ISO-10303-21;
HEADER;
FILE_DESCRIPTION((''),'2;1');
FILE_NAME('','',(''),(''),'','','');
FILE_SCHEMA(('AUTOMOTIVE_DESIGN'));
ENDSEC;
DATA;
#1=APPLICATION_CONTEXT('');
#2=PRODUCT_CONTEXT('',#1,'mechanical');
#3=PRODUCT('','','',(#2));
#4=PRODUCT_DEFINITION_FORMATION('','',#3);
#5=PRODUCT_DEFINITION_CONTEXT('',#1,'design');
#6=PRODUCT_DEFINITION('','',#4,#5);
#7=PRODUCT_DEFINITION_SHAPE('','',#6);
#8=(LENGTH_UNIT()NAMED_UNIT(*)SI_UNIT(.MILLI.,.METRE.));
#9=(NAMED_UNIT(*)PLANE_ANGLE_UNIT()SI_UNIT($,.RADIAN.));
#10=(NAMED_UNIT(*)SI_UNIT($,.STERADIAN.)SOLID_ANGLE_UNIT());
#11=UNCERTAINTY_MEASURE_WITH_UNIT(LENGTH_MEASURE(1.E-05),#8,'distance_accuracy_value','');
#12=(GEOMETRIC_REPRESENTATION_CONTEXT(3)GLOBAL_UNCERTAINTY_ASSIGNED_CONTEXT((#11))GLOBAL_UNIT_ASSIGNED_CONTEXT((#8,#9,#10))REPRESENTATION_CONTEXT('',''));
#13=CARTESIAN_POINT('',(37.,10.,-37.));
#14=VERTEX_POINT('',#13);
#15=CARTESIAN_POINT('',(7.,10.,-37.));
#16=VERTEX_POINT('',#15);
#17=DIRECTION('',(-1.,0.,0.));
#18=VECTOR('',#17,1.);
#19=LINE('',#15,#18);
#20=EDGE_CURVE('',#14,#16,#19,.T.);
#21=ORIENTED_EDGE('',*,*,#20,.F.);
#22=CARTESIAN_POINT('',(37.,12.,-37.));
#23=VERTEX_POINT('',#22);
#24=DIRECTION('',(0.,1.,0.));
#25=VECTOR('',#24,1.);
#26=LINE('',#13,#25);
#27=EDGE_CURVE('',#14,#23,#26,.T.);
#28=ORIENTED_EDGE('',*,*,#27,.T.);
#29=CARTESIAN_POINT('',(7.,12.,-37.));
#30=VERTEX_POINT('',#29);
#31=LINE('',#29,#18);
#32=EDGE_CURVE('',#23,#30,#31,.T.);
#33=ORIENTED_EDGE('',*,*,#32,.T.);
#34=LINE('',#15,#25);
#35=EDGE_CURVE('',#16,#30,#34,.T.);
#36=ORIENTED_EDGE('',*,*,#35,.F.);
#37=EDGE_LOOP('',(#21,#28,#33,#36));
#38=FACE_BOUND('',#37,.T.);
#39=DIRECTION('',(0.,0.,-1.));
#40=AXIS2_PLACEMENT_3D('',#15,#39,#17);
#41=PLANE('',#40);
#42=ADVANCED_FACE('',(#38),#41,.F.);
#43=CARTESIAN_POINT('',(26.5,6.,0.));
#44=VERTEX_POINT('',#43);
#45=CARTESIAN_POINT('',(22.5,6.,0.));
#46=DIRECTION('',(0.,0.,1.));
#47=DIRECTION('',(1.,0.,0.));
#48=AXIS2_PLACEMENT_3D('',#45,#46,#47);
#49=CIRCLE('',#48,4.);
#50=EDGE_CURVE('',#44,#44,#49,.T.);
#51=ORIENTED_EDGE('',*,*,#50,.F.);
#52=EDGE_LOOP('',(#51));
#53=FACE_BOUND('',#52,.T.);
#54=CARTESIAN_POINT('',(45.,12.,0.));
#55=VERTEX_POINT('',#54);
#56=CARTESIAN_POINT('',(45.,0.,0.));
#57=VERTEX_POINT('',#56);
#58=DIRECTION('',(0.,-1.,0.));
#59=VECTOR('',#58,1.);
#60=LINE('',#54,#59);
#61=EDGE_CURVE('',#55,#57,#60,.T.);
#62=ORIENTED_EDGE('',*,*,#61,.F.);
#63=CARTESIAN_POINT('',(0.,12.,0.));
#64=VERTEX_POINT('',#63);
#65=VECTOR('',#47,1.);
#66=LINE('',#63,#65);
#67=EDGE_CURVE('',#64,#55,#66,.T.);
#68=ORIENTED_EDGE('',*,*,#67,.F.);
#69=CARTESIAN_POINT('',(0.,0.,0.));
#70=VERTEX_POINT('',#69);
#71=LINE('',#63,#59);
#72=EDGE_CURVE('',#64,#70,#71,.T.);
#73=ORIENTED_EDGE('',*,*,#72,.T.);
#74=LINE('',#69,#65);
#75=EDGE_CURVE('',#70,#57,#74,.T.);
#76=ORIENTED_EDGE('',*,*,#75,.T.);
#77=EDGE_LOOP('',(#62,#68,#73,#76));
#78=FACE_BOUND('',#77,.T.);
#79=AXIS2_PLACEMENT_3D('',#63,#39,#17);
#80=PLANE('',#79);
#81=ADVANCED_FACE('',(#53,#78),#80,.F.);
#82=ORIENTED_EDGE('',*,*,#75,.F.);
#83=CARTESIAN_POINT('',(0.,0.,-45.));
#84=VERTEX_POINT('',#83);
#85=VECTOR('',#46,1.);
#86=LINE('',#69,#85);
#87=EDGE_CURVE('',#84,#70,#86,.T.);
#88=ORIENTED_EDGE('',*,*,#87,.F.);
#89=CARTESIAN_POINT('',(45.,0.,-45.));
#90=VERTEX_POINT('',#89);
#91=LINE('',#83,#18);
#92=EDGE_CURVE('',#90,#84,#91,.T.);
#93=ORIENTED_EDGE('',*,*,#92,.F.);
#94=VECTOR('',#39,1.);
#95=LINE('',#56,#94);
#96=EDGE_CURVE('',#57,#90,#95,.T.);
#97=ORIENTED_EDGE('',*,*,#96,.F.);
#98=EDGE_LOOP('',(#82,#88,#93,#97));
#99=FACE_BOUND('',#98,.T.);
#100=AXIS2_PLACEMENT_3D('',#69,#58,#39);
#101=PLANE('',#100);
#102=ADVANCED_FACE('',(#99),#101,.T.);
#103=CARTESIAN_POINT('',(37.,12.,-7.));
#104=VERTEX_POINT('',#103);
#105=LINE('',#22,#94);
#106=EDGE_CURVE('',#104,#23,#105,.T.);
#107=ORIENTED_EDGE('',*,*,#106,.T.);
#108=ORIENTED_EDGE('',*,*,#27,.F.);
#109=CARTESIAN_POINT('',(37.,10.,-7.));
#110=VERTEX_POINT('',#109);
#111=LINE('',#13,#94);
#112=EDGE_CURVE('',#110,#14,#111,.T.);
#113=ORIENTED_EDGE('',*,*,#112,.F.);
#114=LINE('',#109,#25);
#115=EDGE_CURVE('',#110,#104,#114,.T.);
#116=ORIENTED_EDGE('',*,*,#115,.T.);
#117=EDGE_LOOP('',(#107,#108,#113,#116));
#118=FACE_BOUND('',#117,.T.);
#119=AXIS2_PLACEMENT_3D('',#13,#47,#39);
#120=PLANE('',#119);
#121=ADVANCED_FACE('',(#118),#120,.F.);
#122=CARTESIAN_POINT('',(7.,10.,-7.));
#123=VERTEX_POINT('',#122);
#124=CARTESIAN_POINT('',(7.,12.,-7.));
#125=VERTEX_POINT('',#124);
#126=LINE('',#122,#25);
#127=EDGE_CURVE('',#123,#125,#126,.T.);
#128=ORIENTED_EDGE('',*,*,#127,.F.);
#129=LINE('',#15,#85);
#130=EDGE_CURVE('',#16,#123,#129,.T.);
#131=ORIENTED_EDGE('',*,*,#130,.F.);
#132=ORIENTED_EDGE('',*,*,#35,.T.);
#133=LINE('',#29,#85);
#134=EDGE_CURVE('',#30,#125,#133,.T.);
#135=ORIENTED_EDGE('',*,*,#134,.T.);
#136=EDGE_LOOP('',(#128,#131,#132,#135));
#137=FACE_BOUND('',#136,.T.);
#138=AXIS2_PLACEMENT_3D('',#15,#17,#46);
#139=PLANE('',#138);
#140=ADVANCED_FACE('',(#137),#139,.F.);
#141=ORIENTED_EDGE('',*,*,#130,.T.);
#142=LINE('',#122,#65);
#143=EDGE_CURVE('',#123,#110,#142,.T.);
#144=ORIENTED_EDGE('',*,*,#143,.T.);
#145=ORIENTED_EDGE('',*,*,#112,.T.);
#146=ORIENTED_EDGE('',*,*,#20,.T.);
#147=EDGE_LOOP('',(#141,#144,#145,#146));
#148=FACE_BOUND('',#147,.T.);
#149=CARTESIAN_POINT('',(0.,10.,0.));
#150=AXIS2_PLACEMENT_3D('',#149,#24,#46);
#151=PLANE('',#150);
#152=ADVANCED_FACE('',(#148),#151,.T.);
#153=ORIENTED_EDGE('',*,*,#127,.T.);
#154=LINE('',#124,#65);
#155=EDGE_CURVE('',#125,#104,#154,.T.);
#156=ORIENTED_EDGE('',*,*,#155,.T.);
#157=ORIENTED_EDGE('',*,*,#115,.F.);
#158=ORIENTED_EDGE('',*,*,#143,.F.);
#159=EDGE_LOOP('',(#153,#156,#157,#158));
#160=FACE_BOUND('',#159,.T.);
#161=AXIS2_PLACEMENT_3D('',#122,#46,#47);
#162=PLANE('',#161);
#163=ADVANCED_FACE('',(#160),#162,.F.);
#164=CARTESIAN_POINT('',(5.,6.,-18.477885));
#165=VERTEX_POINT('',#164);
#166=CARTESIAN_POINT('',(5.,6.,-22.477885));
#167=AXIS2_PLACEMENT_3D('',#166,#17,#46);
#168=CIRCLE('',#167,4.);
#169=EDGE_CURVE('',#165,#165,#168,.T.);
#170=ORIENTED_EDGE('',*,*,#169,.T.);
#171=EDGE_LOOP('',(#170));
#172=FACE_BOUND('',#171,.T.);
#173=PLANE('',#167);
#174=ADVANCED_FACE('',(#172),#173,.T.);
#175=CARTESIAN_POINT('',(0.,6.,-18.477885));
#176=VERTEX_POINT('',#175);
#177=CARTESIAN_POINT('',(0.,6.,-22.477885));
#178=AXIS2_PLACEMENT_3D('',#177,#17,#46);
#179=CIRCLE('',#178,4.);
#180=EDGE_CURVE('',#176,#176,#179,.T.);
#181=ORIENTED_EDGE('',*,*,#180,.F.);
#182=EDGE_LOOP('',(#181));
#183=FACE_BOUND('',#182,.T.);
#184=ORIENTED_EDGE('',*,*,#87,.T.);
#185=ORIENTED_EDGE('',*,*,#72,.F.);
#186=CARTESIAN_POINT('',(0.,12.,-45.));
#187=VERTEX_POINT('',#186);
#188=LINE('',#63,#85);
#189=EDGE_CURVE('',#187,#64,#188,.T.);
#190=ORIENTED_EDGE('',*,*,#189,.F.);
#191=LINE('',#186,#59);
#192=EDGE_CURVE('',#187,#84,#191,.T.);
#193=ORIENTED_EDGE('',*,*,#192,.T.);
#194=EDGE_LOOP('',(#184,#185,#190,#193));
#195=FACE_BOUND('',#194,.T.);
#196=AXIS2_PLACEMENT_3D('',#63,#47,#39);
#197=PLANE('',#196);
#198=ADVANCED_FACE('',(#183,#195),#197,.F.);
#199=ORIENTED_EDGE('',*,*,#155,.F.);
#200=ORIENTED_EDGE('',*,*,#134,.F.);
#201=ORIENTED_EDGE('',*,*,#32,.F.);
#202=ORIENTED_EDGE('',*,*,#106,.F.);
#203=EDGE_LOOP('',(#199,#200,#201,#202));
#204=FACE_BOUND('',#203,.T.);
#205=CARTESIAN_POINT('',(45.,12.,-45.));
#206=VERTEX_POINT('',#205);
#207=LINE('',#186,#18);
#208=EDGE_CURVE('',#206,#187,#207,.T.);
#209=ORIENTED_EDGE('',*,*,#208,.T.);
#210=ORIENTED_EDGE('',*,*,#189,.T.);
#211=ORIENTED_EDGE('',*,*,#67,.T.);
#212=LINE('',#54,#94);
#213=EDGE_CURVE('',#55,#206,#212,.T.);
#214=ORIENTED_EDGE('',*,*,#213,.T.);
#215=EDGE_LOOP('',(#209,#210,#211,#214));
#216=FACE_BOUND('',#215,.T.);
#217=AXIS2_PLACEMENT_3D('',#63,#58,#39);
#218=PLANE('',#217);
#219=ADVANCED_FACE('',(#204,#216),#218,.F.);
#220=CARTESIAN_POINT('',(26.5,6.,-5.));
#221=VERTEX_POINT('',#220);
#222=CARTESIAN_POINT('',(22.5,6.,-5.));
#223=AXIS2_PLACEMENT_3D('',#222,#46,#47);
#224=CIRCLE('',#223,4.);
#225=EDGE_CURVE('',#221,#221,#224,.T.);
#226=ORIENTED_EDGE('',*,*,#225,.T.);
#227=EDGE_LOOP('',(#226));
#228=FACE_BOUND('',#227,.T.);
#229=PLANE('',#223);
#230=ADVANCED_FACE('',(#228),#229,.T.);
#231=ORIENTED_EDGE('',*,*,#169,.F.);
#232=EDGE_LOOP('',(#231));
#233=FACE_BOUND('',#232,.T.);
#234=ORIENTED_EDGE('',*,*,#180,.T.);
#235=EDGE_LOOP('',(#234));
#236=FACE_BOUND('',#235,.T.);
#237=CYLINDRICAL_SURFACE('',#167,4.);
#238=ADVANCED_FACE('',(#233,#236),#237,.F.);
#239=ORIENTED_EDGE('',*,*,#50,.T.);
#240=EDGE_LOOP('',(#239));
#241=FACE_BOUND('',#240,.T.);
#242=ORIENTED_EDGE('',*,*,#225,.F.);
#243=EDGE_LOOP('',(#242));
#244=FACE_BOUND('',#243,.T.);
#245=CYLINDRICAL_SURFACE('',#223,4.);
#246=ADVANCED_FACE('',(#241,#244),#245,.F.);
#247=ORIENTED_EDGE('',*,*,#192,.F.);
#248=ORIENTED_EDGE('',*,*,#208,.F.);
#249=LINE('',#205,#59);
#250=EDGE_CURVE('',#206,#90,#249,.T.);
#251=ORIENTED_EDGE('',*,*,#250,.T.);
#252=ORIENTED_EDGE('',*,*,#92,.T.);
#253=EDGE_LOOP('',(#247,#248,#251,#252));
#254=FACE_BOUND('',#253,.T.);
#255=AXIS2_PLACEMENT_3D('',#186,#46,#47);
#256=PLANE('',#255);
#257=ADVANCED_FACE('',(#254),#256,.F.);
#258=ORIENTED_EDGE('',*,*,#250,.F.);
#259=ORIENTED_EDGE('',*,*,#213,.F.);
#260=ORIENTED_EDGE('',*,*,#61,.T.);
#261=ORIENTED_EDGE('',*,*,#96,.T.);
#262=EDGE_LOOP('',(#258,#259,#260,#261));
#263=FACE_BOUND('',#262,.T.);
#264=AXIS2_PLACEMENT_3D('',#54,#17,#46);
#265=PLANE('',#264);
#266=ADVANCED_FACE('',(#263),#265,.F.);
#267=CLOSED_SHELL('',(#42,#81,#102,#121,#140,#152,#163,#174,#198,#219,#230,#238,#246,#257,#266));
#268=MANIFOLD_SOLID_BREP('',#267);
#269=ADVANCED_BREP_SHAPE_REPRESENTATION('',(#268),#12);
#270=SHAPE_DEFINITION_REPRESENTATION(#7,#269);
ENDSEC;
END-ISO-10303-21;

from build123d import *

# Parameters (mm, degrees)
SKETCH_1_W          = 45
SKETCH_1_H          = 45
EXTRUDE_1_DEPTH     = 12
SKETCH_2_R          = 4
CUT_EXTRUDE_1_DEPTH = 5
SKETCH_3_R          = 4
CUT_EXTRUDE_2_DEPTH = 5
SKETCH_4_W          = 30
SKETCH_4_H          = 30
CUT_EXTRUDE_3_DEPTH = 2


with BuildPart() as part:
    # 草图1 → 凸台-拉伸1 (new body)
    with BuildSketch(Plane(origin=(0, 0, 0), x_dir=(1, 0, 0), z_dir=(0, 1, 0))):
        with Locations((22.5, 22.5)):
            Rectangle(SKETCH_1_W, SKETCH_1_H)
    extrude(amount=EXTRUDE_1_DEPTH)

    # 草图2 → 切除-拉伸1 (cut)
    with BuildSketch(Plane.XY):
        with Locations((22.5, 6)):
            Circle(SKETCH_2_R)
    extrude(amount=-CUT_EXTRUDE_1_DEPTH, mode=Mode.SUBTRACT)

    # 草图3 → 切除-拉伸2 (cut)
    with BuildSketch(Plane.ZY):
        with Locations((-22.477885381, 6)):
            Circle(SKETCH_3_R)
    extrude(amount=-CUT_EXTRUDE_2_DEPTH, mode=Mode.SUBTRACT)

    # 草图4 → 切除-拉伸3 (cut)
    with BuildSketch(Plane(origin=(0, 12, 0), x_dir=(1, 0, 0), z_dir=(0, 1, 0))):
        with Locations((22, 22)):
            Rectangle(SKETCH_4_W, SKETCH_4_H)
    extrude(amount=-CUT_EXTRUDE_3_DEPTH, mode=Mode.SUBTRACT)


solid = part.part
